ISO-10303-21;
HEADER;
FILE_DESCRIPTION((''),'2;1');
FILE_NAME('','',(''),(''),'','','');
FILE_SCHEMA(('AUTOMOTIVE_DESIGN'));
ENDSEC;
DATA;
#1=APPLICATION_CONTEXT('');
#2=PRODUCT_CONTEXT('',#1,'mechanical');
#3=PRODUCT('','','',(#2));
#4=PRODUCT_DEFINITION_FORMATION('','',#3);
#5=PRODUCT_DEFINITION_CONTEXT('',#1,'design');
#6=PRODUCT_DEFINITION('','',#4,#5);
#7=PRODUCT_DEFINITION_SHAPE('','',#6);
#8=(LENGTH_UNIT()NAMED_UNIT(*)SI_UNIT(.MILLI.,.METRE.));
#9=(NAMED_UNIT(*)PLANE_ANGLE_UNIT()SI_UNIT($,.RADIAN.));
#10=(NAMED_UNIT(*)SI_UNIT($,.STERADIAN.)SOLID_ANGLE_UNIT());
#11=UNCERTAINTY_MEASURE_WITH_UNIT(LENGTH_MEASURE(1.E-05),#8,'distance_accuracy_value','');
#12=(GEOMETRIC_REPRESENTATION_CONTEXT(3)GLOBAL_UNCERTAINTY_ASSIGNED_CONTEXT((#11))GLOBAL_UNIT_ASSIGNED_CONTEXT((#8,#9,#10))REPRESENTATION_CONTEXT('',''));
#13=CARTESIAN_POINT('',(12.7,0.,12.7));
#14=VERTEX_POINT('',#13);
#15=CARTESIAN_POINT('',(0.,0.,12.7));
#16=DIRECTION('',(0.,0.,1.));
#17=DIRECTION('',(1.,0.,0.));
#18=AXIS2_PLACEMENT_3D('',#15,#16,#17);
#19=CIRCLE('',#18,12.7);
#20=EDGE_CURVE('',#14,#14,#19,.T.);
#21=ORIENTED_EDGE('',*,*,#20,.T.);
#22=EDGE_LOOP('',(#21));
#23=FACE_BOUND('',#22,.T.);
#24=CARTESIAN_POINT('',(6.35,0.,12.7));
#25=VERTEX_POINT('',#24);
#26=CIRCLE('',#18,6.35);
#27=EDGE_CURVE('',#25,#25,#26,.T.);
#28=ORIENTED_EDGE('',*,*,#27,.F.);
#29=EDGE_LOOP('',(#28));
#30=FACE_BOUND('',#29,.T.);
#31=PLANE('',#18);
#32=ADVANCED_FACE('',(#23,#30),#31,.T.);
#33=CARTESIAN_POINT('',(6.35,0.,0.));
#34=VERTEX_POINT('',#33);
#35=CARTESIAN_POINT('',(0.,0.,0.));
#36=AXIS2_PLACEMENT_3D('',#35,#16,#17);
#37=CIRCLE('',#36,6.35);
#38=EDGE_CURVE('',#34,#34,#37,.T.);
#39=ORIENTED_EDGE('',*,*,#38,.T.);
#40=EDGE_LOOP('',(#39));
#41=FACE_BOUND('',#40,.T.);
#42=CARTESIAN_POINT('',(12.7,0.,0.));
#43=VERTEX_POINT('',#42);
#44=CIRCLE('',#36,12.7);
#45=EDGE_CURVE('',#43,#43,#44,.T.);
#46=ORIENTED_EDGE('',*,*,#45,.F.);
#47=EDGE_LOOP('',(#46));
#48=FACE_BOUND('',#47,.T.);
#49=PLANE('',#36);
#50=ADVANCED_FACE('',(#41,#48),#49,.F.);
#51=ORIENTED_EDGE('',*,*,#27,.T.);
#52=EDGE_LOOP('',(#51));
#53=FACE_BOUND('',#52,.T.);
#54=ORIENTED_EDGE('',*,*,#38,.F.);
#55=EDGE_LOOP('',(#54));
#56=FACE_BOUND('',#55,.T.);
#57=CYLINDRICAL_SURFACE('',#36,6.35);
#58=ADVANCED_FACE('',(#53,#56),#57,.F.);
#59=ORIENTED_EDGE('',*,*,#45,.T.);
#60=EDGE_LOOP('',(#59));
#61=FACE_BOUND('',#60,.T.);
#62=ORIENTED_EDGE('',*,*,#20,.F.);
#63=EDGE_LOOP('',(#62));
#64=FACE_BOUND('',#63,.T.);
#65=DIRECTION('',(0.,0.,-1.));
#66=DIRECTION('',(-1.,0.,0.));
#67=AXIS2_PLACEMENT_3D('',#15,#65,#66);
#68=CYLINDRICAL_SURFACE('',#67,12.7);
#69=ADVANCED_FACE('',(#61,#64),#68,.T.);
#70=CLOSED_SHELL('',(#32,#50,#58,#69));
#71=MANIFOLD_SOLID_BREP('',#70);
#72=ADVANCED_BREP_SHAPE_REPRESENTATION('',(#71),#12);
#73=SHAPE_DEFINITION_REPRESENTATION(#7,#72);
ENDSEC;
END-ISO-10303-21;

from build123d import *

# Parameters (mm, degrees)
SKETCH1_R           = 12.7
BOSS_EXTRUDE1_DEPTH = 12.7
SKETCH2_R           = 6.35
CUT_EXTRUDE1_DEPTH  = 12.7


with BuildPart() as part:
    # Sketch1 → Boss-Extrude1 (new body)
    with BuildSketch(Plane.XY):
        Circle(SKETCH1_R)
    extrude(amount=BOSS_EXTRUDE1_DEPTH)

    # Sketch2 → Cut-Extrude1 (cut)
    with BuildSketch(Plane.XY.offset(12.7)):
        Circle(SKETCH2_R)
    extrude(amount=-CUT_EXTRUDE1_DEPTH, mode=Mode.SUBTRACT)


solid = part.part
